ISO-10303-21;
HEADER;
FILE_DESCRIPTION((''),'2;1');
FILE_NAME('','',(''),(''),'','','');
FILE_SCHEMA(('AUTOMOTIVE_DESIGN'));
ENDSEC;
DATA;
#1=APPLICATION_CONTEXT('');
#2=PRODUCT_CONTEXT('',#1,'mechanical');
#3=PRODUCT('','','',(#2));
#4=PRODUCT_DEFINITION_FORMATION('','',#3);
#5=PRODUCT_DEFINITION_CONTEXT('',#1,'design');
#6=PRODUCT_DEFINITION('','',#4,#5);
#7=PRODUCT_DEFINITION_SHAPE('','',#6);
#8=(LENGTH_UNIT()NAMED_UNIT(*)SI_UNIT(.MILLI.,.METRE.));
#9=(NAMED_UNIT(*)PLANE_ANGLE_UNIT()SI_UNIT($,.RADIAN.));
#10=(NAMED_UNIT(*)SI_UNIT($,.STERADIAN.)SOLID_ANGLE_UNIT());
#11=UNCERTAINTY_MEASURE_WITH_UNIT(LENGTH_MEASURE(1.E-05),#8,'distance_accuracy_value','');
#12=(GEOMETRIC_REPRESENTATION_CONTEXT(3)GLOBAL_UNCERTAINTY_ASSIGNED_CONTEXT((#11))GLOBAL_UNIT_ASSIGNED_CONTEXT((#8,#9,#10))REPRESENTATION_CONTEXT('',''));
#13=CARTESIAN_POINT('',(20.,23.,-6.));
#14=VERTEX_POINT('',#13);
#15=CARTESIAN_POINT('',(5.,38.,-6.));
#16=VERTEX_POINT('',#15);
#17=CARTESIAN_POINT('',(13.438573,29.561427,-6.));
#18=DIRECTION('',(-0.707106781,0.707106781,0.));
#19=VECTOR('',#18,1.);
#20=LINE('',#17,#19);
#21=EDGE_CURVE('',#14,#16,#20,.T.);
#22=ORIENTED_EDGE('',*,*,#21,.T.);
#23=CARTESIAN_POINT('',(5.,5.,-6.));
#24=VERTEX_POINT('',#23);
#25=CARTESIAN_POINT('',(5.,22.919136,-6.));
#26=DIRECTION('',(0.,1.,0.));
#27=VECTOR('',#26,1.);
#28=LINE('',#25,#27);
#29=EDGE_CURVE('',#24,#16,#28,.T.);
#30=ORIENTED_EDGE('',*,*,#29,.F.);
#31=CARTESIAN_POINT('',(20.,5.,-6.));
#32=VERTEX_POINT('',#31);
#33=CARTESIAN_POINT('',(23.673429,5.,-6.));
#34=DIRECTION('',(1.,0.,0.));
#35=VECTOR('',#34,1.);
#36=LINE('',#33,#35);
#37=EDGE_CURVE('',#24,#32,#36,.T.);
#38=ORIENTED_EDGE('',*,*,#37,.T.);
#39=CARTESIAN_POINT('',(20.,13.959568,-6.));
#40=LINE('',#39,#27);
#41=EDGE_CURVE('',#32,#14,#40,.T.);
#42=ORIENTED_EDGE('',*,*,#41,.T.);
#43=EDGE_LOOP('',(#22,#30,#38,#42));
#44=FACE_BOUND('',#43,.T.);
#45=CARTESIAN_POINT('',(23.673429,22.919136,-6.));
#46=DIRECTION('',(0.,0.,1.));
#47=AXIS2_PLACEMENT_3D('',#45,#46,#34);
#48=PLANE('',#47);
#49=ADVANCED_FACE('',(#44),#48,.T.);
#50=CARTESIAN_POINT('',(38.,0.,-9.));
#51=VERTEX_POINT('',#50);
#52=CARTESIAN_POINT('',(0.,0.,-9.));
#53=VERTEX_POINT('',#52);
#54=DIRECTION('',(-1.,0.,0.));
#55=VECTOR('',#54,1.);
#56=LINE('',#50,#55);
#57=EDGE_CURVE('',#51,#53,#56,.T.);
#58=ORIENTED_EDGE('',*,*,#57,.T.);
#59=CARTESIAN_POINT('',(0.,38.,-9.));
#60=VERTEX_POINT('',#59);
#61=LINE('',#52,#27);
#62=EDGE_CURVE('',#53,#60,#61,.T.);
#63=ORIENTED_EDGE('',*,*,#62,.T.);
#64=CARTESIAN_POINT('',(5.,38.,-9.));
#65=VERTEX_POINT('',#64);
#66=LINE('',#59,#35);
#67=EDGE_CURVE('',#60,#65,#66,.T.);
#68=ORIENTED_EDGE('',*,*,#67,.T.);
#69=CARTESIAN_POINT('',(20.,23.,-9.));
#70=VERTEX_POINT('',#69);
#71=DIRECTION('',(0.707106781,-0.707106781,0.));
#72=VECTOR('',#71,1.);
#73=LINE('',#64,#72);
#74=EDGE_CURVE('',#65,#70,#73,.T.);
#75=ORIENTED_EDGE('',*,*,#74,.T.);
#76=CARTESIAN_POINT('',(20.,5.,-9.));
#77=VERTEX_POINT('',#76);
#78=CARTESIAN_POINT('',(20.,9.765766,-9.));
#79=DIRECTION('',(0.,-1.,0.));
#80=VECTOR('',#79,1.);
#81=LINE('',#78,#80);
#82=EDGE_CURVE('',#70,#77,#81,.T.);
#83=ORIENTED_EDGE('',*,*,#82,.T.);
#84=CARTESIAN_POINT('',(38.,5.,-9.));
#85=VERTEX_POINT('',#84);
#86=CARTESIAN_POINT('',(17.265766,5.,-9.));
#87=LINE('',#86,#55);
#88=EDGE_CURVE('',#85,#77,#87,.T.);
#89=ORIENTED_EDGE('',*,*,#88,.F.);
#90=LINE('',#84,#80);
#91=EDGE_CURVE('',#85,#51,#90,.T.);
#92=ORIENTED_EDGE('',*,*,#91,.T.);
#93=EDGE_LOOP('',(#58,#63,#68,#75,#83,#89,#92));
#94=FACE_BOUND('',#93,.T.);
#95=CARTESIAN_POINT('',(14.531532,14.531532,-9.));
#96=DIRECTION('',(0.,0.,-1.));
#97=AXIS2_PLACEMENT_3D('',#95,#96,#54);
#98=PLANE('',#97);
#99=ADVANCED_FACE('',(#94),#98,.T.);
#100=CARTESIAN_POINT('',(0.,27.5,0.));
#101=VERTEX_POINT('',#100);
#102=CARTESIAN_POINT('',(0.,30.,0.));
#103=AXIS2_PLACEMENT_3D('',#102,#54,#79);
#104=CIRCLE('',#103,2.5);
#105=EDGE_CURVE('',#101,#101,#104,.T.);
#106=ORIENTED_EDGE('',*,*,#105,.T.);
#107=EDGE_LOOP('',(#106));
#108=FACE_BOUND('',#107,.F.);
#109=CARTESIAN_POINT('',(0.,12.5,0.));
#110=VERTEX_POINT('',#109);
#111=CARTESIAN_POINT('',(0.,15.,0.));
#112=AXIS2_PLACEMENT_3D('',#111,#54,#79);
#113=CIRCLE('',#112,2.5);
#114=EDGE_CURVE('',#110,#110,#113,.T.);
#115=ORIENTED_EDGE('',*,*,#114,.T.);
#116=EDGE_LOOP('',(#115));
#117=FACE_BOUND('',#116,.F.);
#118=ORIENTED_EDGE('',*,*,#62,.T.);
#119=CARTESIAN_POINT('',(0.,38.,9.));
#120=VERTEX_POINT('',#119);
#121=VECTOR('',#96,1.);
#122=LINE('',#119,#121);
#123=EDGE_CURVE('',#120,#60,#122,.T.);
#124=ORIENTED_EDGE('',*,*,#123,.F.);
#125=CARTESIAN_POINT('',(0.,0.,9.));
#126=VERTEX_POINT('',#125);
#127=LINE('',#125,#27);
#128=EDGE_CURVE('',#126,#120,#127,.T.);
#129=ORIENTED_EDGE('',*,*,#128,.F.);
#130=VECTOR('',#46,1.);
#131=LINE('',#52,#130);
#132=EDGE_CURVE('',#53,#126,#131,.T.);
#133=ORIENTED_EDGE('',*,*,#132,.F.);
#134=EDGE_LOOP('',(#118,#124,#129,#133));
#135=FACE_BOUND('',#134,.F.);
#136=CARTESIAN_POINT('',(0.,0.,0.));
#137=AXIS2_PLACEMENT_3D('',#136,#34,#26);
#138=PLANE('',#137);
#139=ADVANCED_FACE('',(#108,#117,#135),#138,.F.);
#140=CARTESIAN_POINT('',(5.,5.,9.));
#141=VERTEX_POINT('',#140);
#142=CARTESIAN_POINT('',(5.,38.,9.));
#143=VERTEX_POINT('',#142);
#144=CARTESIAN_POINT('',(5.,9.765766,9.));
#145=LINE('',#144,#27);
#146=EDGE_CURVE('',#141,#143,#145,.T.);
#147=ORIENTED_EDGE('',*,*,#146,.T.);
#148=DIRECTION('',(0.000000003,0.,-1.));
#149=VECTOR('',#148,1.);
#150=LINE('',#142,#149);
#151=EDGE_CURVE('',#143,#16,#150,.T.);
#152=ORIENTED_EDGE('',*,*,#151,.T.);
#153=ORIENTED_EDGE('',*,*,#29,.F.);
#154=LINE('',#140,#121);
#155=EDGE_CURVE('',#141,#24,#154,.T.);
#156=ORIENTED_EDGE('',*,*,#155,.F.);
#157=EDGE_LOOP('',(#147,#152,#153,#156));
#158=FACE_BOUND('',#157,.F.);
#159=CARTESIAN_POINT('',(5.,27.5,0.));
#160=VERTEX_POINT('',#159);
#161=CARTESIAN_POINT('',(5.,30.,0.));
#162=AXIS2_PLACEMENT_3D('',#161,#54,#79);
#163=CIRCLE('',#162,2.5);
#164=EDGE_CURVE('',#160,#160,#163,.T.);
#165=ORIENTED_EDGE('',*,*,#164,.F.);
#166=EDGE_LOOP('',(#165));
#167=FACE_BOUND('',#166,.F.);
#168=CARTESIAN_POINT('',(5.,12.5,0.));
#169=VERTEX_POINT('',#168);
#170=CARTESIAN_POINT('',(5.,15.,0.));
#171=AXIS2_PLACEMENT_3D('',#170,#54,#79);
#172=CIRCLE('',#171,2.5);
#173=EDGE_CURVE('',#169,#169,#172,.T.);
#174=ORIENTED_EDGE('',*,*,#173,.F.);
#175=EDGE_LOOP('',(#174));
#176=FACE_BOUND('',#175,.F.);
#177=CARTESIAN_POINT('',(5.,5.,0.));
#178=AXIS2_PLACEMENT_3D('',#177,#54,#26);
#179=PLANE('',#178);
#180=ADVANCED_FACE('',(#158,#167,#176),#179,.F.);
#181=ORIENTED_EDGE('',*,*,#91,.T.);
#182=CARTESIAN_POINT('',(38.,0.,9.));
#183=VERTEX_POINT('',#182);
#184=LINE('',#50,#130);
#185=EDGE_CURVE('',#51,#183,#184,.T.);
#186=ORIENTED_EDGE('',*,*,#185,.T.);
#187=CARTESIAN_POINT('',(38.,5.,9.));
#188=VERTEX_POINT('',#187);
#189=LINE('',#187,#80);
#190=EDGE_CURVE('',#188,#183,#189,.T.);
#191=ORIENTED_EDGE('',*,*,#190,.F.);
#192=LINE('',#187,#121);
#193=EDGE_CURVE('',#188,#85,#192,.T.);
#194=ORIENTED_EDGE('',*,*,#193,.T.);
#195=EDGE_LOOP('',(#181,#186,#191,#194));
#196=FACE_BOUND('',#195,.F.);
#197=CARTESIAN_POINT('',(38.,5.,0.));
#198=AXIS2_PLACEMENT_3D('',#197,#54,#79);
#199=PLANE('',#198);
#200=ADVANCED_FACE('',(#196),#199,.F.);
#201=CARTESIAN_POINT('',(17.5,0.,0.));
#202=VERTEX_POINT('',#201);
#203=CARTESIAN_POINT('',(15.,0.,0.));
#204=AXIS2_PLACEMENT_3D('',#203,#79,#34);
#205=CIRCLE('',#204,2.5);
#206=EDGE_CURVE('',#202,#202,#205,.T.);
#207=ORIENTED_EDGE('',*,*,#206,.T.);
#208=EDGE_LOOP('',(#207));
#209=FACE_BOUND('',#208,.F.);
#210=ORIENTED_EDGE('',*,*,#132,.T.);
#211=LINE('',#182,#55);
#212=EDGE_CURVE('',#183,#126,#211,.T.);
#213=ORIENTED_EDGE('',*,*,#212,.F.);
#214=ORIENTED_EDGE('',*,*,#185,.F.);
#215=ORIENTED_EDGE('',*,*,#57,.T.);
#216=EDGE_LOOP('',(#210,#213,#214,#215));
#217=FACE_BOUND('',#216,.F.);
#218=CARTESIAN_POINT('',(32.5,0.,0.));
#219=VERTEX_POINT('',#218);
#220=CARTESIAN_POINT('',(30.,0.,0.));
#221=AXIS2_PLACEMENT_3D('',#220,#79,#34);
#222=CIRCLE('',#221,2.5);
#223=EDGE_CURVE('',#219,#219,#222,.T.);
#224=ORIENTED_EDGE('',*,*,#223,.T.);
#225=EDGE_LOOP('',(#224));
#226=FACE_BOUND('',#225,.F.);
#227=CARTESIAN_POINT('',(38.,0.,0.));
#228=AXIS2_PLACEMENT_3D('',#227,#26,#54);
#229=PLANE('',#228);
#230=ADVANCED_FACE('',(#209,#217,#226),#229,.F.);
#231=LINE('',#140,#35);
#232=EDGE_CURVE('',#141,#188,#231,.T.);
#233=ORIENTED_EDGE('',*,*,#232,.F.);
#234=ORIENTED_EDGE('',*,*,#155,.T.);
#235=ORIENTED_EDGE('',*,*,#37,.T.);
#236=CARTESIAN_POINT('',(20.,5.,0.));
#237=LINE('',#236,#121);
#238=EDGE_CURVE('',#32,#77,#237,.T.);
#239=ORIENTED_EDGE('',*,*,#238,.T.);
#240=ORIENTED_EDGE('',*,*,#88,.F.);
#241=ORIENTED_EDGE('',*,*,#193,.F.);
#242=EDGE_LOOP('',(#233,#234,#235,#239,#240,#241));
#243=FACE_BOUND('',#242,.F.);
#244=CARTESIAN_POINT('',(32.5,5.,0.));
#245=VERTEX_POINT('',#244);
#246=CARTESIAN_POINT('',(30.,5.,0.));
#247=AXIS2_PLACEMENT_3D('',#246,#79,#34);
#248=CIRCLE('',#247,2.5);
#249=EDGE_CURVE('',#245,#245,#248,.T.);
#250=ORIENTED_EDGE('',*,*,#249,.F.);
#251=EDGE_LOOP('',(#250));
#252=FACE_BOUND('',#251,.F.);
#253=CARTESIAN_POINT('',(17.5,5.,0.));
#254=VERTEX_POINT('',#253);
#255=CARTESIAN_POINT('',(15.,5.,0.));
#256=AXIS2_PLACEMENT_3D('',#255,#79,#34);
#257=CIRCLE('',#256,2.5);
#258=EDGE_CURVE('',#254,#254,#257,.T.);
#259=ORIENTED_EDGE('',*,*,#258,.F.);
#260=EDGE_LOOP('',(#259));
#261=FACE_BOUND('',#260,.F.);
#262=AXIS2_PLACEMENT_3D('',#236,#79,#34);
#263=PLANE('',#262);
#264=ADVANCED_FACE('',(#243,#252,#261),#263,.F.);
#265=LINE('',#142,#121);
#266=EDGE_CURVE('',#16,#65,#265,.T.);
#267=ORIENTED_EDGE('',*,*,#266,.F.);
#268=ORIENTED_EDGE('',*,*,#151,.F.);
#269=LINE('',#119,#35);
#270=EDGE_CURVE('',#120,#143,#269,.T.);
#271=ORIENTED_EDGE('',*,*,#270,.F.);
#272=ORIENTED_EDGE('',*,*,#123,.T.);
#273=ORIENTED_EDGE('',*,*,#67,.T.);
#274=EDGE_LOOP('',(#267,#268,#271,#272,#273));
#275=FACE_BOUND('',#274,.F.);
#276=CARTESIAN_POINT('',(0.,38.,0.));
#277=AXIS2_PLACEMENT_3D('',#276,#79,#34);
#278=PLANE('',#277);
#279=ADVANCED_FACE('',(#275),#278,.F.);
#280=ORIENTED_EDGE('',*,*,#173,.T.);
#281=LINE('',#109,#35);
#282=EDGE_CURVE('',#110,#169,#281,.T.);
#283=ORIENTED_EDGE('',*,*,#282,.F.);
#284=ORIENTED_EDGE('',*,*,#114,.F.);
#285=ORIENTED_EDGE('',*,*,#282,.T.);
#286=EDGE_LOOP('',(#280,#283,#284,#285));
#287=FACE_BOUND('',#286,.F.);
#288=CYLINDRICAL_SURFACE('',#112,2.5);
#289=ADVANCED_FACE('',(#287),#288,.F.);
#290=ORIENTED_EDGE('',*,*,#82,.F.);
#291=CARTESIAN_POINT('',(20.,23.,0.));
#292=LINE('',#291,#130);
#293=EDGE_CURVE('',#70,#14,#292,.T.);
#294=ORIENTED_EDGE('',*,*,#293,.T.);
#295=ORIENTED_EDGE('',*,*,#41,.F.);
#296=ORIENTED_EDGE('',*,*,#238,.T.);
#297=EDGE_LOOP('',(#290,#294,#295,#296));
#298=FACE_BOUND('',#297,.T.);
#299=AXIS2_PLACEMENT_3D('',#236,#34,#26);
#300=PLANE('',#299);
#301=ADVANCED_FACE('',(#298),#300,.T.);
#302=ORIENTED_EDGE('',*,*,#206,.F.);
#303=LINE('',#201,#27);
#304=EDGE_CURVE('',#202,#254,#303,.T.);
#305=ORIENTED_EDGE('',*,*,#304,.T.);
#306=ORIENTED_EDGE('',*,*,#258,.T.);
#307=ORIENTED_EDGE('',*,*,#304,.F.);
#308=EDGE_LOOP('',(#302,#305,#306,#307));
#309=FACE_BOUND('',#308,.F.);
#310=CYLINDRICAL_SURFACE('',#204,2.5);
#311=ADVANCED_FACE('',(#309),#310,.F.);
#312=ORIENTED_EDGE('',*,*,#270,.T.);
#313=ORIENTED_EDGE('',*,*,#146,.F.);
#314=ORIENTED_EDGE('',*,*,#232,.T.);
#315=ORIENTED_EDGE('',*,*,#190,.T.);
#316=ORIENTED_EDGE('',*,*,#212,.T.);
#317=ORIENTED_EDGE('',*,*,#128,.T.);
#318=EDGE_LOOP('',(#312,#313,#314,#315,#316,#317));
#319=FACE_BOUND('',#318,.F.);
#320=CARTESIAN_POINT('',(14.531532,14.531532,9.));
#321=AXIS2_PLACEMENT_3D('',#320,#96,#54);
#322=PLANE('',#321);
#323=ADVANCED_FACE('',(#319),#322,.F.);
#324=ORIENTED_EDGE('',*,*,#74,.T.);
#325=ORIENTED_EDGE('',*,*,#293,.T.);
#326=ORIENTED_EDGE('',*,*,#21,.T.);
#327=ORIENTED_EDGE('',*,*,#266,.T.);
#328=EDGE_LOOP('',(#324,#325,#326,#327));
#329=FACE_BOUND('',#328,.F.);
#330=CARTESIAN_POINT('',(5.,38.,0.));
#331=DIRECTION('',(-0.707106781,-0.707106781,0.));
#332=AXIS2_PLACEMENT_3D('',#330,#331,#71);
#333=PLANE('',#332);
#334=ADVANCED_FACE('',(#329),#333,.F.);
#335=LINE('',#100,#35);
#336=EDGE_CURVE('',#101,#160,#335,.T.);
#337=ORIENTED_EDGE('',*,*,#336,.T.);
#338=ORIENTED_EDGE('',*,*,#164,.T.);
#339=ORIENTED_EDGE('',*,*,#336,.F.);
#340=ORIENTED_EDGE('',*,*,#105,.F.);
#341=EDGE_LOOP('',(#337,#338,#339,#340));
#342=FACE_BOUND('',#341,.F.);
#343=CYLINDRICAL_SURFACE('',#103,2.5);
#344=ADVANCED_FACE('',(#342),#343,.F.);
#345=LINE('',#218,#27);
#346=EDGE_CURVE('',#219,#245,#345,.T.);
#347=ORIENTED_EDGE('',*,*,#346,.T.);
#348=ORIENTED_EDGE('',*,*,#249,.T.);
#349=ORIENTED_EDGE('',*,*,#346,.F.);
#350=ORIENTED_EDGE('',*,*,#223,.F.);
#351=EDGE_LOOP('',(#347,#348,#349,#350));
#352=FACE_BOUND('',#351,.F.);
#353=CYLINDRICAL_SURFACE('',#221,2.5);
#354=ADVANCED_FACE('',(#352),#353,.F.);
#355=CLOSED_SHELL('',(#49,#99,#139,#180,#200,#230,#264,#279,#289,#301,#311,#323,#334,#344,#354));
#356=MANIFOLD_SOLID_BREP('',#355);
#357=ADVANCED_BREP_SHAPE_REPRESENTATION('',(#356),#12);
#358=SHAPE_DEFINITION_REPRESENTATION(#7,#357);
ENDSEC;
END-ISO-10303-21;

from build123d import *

# Parameters (mm, degrees)
PAD_DEPTH            = 9
SKETCH001_W          = 37.346859
SKETCH001_H          = 35.838272
POCKET_DEPTH         = 6
POCKET_DEPTH_BACK    = 100
SKETCH002_R          = 2.5
POCKET001_DEPTH      = 38.001
SKETCH003_R          = 2.5
POCKET002_DEPTH      = 38.001
SKETCH004_W          = 20
SKETCH004_H          = 20
POCKET003_DEPTH      = 9.001
POCKET003_DEPTH_BACK = 9.001


with BuildPart() as part:
    # Sketch → Pad (new body, symmetric)
    with BuildSketch(Plane.XY):
        Polygon((0, 0), (0, 38), (5, 38), (38, 5), (38, 0), align=None)
    extrude(amount=PAD_DEPTH, both=True)

    # Sketch001 → Pocket (cut, two sides)
    with BuildSketch(Plane.XY) as pocket_sk:
        with Locations((23.673429, 22.919136)):
            Rectangle(SKETCH001_W, SKETCH001_H)
    extrude(amount=-POCKET_DEPTH, mode=Mode.SUBTRACT)
    extrude(pocket_sk.sketch, amount=POCKET_DEPTH_BACK, mode=Mode.SUBTRACT)

    # Sketch002 (on Face2 of Pocket) → Pocket001 (cut, through all)
    with BuildSketch(Plane.XZ):
        with Locations((15, 0)):
            Circle(SKETCH002_R)
        with Locations((30, 0)):
            Circle(SKETCH002_R)
    extrude(amount=-POCKET001_DEPTH, mode=Mode.SUBTRACT)

    # Sketch003 (on Face1 of Pocket001) → Pocket002 (cut, through all)
    with BuildSketch(Plane(origin=(0, 0, 0), x_dir=(0, -1, 0), z_dir=(-1, 0, 0))):
        with Locations((-30, 0)):
            Circle(SKETCH003_R)
        with Locations((-15, 0)):
            Circle(SKETCH003_R)
    extrude(amount=-POCKET002_DEPTH, mode=Mode.SUBTRACT)

    # Sketch004 → Pocket003 (cut, two sides)
    with BuildSketch(Plane.XY) as pocket003_sk:
        with Locations((30, 15)):
            Rectangle(SKETCH004_W, SKETCH004_H)
    extrude(amount=-POCKET003_DEPTH, mode=Mode.SUBTRACT)
    extrude(pocket003_sk.sketch, amount=POCKET003_DEPTH_BACK, mode=Mode.SUBTRACT)


solid = part.part
